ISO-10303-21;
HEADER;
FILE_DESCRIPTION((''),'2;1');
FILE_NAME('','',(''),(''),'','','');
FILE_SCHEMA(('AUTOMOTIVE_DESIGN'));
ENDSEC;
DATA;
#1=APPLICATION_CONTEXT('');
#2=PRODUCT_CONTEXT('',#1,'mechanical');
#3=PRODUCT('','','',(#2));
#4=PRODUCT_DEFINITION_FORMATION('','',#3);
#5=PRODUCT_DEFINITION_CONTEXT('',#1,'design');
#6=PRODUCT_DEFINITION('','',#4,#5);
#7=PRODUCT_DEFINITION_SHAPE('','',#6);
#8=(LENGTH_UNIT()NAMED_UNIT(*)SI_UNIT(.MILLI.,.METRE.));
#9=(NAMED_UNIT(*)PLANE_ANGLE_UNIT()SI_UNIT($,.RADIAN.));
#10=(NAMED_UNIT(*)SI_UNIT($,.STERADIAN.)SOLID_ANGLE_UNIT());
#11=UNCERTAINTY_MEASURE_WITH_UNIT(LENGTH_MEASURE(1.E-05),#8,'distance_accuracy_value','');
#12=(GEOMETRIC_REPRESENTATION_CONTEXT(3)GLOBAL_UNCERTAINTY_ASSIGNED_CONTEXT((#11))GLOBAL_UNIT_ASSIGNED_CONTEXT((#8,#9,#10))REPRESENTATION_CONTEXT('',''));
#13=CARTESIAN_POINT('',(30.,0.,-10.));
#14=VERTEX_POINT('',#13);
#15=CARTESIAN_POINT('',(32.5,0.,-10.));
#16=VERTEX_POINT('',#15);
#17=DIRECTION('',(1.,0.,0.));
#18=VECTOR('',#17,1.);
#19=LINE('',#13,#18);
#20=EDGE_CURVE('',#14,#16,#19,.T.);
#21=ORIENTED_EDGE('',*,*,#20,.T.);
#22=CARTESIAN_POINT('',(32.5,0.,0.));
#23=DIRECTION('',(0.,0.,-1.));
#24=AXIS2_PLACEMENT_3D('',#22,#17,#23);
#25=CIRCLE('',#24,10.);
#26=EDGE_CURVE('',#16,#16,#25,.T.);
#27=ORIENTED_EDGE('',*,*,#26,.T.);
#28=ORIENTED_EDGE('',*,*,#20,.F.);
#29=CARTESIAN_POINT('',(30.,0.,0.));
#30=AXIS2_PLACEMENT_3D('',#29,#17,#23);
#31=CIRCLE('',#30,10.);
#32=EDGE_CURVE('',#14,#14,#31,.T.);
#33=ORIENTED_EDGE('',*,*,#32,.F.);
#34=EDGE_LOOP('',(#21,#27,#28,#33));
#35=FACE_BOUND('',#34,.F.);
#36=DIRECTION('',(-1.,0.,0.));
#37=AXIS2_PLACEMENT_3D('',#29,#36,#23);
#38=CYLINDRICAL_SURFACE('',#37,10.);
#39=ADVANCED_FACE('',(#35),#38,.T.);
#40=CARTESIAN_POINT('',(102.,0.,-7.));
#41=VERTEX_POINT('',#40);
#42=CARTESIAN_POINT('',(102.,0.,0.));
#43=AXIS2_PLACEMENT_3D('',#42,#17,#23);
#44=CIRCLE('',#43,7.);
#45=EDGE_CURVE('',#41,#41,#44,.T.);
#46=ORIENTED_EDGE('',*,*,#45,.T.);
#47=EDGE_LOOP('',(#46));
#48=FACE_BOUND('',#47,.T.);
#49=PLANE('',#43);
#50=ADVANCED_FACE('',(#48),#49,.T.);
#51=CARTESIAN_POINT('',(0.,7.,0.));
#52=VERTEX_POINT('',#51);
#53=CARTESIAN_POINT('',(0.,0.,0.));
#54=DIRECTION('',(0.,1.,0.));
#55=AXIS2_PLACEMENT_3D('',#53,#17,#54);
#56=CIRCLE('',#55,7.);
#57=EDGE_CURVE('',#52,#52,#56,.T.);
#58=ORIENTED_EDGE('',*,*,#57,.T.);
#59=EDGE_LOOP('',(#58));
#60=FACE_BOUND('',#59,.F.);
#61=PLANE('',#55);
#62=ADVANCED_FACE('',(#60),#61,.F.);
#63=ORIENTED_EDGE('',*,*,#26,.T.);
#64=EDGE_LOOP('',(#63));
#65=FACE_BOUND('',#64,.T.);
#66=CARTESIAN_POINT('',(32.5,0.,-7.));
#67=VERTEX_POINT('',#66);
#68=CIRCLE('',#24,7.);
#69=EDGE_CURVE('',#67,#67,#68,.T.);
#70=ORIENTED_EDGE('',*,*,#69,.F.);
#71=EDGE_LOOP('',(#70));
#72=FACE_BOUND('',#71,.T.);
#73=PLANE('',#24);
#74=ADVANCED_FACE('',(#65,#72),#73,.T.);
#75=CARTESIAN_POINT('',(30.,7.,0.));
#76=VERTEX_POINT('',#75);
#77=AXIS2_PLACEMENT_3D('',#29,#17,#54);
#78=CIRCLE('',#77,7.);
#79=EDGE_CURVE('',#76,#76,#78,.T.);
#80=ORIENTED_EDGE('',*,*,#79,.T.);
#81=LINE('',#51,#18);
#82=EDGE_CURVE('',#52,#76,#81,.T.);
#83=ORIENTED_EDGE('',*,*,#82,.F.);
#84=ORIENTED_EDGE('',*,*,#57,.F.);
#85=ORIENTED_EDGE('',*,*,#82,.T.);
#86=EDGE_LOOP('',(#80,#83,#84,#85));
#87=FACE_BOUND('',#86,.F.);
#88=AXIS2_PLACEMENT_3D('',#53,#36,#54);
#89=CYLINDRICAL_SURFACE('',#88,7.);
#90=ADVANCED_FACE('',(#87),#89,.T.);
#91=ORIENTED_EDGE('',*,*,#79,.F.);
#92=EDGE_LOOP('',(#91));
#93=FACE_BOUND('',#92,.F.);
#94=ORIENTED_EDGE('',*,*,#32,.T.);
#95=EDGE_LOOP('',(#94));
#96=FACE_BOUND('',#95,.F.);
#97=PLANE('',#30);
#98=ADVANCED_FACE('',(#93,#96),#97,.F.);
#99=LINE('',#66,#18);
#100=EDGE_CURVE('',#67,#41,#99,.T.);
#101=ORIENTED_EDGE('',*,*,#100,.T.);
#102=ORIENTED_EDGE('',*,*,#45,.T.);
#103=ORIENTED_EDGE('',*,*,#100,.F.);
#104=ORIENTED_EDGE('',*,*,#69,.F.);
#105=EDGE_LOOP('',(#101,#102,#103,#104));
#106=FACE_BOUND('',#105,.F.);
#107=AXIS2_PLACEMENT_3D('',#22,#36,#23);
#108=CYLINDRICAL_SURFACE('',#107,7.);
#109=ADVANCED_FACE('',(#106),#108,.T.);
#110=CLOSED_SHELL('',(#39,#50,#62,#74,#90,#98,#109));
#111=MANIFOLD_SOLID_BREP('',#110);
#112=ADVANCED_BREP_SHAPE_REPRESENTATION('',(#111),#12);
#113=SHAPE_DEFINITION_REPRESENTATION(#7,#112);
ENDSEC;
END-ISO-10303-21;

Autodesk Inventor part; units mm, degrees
ref_plane "YZ Plane" through (0, 0, 0) normal (1, 0, 0) x (0, 1, 0)
ref_plane "XZ Plane" through (0, 0, 0) normal (0, 1, 0) x (-1, 0, 0)
ref_plane "XY Plane" through (0, 0, 0) normal (0, 0, 1) x (1, 0, 0)
sketch "스케치1" plane through (0, 0, 0) normal (1, 0, 0) x (0, 1, 0)
  circle A0 centre (0, 0) radius 7
  dimension "d0" = 14
extrude "돌출1" add sketch "스케치1" along normal blind 30
sketch "스케치2" plane through (30, 0, 0) normal (1, 0, 0) x (0, 0, -1)
  circle A0 centre (0, 0) radius 10
  dimension "d3" = 20
extrude "돌출2" add sketch "스케치2" along normal blind 2.5
sketch "스케치3" plane through (32.5, 0, 0) normal (1, 0, 0) x (0, 0, -1)
  circle A0 centre (0, 0) radius 7
  dimension "d6" = 14
extrude "돌출3" add sketch "스케치3" along normal blind 69.5
properties part number "motor_shaft" material "스테인리스스틸"
